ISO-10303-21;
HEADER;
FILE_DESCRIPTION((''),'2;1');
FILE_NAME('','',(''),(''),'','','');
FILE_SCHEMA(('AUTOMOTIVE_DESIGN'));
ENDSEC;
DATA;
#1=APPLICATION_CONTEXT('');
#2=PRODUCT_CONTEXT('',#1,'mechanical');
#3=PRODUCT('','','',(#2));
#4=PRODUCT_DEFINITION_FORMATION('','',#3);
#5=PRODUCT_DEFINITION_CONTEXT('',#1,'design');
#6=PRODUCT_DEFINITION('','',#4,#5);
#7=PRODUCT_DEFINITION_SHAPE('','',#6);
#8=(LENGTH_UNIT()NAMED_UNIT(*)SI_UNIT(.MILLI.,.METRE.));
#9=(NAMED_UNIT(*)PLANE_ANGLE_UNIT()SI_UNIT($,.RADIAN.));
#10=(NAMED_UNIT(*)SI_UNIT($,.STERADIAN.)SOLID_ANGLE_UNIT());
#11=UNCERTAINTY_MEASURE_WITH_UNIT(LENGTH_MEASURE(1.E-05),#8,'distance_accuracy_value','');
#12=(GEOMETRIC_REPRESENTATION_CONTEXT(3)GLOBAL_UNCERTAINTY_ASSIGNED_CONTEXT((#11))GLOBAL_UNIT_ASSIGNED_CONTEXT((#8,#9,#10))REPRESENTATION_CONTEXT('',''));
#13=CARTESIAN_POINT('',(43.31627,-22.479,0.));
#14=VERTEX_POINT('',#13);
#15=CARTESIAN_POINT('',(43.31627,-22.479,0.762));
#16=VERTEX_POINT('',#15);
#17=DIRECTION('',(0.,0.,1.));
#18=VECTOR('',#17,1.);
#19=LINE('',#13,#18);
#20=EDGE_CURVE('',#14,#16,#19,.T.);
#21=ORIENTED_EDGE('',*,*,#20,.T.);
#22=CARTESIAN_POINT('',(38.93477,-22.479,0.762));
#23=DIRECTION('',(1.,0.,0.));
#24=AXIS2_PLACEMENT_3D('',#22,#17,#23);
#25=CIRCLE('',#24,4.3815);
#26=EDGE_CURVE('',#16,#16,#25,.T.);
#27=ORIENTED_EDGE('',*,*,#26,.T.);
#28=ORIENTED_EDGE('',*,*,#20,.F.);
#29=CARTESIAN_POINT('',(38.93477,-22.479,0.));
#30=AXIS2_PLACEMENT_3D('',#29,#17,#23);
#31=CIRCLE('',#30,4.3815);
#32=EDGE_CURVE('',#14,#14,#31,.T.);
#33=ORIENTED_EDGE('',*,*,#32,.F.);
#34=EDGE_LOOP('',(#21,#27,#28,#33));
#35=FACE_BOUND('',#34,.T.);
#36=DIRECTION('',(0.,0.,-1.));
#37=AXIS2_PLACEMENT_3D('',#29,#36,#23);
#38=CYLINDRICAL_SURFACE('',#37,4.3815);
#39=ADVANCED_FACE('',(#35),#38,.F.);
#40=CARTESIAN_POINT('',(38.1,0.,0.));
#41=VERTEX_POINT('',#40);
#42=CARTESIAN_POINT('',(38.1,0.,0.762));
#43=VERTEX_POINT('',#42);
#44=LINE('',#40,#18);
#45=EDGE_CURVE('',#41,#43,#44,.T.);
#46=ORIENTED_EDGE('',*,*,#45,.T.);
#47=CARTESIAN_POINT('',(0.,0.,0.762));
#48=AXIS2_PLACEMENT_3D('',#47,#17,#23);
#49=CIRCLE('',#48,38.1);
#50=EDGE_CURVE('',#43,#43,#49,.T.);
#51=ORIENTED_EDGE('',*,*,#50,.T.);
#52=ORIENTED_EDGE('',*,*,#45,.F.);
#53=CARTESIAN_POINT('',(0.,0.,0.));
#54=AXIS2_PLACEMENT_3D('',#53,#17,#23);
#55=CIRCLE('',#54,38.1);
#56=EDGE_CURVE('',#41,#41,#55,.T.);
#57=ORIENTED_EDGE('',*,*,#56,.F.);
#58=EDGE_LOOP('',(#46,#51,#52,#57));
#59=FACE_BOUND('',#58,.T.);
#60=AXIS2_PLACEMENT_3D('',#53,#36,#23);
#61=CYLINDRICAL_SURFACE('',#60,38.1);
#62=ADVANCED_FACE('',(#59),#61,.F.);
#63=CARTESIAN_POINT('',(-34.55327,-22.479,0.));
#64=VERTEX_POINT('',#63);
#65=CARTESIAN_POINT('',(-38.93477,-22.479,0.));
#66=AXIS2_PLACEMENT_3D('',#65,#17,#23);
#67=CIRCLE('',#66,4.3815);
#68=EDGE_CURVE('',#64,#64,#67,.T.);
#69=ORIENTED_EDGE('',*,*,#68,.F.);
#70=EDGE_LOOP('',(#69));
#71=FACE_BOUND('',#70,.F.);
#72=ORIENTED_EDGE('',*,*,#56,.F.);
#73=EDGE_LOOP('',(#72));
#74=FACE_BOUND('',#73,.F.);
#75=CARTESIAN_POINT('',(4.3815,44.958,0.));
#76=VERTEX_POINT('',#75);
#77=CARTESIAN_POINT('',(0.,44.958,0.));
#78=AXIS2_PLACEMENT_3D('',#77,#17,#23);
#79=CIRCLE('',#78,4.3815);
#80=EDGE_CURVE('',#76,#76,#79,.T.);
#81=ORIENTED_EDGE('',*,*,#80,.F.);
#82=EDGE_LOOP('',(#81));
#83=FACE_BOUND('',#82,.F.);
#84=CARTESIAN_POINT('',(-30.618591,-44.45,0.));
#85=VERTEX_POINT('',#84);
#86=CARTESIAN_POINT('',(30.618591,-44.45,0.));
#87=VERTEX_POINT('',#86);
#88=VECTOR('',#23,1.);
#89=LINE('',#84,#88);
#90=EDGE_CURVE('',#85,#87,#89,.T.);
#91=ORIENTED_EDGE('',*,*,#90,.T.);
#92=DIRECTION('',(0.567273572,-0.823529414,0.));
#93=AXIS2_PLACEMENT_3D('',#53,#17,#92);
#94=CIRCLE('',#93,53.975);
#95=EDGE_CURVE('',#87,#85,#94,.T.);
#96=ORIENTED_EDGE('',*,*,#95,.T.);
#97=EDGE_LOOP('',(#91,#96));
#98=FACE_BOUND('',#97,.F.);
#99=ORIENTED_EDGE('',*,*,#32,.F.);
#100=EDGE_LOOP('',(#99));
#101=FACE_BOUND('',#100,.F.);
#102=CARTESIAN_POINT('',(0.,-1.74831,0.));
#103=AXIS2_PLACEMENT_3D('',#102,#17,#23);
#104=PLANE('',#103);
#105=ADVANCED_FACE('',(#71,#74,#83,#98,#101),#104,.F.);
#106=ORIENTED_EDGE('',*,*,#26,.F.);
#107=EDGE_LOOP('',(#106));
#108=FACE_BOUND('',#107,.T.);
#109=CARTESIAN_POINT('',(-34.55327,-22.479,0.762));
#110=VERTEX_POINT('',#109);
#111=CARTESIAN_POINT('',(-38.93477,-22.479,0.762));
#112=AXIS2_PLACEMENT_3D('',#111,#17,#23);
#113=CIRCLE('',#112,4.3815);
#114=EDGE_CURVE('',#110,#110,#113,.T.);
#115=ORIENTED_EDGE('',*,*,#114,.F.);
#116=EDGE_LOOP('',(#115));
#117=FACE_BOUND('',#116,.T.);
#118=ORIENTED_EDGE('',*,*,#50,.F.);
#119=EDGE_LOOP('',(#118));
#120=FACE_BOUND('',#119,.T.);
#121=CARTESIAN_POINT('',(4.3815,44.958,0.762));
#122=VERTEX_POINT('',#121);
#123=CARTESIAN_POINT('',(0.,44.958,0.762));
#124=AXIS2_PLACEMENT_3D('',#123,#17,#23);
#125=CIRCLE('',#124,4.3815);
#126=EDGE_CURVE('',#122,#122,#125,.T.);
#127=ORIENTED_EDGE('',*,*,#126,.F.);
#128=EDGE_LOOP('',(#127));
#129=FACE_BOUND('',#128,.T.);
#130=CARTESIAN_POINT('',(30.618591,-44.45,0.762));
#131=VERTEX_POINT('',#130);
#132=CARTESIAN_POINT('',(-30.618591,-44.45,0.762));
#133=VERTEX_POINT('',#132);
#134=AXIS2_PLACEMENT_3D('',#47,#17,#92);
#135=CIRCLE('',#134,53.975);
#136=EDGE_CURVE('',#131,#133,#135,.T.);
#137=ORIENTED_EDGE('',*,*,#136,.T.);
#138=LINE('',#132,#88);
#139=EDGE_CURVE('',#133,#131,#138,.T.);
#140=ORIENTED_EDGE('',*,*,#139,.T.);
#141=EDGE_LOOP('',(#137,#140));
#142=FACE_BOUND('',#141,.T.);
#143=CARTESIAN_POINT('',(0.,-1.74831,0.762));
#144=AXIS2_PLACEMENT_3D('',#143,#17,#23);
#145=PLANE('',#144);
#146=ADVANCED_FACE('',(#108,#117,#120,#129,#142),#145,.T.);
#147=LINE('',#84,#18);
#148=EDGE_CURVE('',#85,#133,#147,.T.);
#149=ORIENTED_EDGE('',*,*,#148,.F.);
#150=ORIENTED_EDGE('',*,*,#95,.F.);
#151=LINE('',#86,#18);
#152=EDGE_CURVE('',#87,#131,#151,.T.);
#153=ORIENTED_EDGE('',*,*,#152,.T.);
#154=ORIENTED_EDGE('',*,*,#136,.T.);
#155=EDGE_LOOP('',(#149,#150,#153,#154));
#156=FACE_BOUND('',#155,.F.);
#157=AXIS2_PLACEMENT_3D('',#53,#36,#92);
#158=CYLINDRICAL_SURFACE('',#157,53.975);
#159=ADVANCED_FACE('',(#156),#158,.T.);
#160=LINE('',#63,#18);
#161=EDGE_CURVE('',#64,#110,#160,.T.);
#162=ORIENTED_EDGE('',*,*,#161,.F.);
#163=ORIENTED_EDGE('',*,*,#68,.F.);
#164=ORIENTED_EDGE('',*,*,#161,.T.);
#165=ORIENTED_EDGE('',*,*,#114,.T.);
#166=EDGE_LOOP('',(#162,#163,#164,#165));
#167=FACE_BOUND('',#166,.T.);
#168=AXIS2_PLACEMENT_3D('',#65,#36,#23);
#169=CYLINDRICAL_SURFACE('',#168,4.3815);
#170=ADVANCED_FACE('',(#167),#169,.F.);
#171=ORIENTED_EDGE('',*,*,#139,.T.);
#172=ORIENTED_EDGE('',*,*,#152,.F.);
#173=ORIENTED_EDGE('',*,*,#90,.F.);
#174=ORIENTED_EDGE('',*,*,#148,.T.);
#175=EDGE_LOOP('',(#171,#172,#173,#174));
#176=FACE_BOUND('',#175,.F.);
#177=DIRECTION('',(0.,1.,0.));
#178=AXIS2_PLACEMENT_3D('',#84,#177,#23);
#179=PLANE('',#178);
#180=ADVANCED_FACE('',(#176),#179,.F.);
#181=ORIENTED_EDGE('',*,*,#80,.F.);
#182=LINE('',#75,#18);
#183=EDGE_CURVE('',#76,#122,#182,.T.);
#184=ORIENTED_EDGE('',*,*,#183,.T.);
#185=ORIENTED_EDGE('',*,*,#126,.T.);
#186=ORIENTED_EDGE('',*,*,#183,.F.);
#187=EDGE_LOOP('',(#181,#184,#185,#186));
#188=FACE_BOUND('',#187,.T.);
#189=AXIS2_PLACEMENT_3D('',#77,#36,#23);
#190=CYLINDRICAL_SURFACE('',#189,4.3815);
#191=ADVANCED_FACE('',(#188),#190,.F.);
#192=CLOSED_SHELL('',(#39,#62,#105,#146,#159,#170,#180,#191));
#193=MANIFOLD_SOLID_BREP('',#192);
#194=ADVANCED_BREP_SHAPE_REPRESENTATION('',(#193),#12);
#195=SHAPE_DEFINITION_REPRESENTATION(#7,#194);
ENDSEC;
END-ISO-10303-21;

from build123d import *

# Parameters (mm, degrees)
F0_R     = 4.3815
F0_R_2   = 38.1
F1_DEPTH = 0.762


with BuildPart() as f1:
    # F0 (on Top) → F1 (new body)
    with BuildSketch(Plane.XY):
        with BuildLine():
            Line((-30.618591, -44.45), (30.618591, -44.45))
            ThreePointArc((30.618591, -44.45), (0, 53.975), (-30.618591, -44.45))
        make_face()
        with Locations((-38.93477, -22.479)):
            Circle(F0_R, mode=Mode.SUBTRACT)
        with Locations((38.93477, -22.479)):
            Circle(F0_R, mode=Mode.SUBTRACT)
        Circle(F0_R_2, mode=Mode.SUBTRACT)
        with Locations((0, 44.958)):
            Circle(F0_R, mode=Mode.SUBTRACT)
    extrude(amount=F1_DEPTH)


solid = f1.part
